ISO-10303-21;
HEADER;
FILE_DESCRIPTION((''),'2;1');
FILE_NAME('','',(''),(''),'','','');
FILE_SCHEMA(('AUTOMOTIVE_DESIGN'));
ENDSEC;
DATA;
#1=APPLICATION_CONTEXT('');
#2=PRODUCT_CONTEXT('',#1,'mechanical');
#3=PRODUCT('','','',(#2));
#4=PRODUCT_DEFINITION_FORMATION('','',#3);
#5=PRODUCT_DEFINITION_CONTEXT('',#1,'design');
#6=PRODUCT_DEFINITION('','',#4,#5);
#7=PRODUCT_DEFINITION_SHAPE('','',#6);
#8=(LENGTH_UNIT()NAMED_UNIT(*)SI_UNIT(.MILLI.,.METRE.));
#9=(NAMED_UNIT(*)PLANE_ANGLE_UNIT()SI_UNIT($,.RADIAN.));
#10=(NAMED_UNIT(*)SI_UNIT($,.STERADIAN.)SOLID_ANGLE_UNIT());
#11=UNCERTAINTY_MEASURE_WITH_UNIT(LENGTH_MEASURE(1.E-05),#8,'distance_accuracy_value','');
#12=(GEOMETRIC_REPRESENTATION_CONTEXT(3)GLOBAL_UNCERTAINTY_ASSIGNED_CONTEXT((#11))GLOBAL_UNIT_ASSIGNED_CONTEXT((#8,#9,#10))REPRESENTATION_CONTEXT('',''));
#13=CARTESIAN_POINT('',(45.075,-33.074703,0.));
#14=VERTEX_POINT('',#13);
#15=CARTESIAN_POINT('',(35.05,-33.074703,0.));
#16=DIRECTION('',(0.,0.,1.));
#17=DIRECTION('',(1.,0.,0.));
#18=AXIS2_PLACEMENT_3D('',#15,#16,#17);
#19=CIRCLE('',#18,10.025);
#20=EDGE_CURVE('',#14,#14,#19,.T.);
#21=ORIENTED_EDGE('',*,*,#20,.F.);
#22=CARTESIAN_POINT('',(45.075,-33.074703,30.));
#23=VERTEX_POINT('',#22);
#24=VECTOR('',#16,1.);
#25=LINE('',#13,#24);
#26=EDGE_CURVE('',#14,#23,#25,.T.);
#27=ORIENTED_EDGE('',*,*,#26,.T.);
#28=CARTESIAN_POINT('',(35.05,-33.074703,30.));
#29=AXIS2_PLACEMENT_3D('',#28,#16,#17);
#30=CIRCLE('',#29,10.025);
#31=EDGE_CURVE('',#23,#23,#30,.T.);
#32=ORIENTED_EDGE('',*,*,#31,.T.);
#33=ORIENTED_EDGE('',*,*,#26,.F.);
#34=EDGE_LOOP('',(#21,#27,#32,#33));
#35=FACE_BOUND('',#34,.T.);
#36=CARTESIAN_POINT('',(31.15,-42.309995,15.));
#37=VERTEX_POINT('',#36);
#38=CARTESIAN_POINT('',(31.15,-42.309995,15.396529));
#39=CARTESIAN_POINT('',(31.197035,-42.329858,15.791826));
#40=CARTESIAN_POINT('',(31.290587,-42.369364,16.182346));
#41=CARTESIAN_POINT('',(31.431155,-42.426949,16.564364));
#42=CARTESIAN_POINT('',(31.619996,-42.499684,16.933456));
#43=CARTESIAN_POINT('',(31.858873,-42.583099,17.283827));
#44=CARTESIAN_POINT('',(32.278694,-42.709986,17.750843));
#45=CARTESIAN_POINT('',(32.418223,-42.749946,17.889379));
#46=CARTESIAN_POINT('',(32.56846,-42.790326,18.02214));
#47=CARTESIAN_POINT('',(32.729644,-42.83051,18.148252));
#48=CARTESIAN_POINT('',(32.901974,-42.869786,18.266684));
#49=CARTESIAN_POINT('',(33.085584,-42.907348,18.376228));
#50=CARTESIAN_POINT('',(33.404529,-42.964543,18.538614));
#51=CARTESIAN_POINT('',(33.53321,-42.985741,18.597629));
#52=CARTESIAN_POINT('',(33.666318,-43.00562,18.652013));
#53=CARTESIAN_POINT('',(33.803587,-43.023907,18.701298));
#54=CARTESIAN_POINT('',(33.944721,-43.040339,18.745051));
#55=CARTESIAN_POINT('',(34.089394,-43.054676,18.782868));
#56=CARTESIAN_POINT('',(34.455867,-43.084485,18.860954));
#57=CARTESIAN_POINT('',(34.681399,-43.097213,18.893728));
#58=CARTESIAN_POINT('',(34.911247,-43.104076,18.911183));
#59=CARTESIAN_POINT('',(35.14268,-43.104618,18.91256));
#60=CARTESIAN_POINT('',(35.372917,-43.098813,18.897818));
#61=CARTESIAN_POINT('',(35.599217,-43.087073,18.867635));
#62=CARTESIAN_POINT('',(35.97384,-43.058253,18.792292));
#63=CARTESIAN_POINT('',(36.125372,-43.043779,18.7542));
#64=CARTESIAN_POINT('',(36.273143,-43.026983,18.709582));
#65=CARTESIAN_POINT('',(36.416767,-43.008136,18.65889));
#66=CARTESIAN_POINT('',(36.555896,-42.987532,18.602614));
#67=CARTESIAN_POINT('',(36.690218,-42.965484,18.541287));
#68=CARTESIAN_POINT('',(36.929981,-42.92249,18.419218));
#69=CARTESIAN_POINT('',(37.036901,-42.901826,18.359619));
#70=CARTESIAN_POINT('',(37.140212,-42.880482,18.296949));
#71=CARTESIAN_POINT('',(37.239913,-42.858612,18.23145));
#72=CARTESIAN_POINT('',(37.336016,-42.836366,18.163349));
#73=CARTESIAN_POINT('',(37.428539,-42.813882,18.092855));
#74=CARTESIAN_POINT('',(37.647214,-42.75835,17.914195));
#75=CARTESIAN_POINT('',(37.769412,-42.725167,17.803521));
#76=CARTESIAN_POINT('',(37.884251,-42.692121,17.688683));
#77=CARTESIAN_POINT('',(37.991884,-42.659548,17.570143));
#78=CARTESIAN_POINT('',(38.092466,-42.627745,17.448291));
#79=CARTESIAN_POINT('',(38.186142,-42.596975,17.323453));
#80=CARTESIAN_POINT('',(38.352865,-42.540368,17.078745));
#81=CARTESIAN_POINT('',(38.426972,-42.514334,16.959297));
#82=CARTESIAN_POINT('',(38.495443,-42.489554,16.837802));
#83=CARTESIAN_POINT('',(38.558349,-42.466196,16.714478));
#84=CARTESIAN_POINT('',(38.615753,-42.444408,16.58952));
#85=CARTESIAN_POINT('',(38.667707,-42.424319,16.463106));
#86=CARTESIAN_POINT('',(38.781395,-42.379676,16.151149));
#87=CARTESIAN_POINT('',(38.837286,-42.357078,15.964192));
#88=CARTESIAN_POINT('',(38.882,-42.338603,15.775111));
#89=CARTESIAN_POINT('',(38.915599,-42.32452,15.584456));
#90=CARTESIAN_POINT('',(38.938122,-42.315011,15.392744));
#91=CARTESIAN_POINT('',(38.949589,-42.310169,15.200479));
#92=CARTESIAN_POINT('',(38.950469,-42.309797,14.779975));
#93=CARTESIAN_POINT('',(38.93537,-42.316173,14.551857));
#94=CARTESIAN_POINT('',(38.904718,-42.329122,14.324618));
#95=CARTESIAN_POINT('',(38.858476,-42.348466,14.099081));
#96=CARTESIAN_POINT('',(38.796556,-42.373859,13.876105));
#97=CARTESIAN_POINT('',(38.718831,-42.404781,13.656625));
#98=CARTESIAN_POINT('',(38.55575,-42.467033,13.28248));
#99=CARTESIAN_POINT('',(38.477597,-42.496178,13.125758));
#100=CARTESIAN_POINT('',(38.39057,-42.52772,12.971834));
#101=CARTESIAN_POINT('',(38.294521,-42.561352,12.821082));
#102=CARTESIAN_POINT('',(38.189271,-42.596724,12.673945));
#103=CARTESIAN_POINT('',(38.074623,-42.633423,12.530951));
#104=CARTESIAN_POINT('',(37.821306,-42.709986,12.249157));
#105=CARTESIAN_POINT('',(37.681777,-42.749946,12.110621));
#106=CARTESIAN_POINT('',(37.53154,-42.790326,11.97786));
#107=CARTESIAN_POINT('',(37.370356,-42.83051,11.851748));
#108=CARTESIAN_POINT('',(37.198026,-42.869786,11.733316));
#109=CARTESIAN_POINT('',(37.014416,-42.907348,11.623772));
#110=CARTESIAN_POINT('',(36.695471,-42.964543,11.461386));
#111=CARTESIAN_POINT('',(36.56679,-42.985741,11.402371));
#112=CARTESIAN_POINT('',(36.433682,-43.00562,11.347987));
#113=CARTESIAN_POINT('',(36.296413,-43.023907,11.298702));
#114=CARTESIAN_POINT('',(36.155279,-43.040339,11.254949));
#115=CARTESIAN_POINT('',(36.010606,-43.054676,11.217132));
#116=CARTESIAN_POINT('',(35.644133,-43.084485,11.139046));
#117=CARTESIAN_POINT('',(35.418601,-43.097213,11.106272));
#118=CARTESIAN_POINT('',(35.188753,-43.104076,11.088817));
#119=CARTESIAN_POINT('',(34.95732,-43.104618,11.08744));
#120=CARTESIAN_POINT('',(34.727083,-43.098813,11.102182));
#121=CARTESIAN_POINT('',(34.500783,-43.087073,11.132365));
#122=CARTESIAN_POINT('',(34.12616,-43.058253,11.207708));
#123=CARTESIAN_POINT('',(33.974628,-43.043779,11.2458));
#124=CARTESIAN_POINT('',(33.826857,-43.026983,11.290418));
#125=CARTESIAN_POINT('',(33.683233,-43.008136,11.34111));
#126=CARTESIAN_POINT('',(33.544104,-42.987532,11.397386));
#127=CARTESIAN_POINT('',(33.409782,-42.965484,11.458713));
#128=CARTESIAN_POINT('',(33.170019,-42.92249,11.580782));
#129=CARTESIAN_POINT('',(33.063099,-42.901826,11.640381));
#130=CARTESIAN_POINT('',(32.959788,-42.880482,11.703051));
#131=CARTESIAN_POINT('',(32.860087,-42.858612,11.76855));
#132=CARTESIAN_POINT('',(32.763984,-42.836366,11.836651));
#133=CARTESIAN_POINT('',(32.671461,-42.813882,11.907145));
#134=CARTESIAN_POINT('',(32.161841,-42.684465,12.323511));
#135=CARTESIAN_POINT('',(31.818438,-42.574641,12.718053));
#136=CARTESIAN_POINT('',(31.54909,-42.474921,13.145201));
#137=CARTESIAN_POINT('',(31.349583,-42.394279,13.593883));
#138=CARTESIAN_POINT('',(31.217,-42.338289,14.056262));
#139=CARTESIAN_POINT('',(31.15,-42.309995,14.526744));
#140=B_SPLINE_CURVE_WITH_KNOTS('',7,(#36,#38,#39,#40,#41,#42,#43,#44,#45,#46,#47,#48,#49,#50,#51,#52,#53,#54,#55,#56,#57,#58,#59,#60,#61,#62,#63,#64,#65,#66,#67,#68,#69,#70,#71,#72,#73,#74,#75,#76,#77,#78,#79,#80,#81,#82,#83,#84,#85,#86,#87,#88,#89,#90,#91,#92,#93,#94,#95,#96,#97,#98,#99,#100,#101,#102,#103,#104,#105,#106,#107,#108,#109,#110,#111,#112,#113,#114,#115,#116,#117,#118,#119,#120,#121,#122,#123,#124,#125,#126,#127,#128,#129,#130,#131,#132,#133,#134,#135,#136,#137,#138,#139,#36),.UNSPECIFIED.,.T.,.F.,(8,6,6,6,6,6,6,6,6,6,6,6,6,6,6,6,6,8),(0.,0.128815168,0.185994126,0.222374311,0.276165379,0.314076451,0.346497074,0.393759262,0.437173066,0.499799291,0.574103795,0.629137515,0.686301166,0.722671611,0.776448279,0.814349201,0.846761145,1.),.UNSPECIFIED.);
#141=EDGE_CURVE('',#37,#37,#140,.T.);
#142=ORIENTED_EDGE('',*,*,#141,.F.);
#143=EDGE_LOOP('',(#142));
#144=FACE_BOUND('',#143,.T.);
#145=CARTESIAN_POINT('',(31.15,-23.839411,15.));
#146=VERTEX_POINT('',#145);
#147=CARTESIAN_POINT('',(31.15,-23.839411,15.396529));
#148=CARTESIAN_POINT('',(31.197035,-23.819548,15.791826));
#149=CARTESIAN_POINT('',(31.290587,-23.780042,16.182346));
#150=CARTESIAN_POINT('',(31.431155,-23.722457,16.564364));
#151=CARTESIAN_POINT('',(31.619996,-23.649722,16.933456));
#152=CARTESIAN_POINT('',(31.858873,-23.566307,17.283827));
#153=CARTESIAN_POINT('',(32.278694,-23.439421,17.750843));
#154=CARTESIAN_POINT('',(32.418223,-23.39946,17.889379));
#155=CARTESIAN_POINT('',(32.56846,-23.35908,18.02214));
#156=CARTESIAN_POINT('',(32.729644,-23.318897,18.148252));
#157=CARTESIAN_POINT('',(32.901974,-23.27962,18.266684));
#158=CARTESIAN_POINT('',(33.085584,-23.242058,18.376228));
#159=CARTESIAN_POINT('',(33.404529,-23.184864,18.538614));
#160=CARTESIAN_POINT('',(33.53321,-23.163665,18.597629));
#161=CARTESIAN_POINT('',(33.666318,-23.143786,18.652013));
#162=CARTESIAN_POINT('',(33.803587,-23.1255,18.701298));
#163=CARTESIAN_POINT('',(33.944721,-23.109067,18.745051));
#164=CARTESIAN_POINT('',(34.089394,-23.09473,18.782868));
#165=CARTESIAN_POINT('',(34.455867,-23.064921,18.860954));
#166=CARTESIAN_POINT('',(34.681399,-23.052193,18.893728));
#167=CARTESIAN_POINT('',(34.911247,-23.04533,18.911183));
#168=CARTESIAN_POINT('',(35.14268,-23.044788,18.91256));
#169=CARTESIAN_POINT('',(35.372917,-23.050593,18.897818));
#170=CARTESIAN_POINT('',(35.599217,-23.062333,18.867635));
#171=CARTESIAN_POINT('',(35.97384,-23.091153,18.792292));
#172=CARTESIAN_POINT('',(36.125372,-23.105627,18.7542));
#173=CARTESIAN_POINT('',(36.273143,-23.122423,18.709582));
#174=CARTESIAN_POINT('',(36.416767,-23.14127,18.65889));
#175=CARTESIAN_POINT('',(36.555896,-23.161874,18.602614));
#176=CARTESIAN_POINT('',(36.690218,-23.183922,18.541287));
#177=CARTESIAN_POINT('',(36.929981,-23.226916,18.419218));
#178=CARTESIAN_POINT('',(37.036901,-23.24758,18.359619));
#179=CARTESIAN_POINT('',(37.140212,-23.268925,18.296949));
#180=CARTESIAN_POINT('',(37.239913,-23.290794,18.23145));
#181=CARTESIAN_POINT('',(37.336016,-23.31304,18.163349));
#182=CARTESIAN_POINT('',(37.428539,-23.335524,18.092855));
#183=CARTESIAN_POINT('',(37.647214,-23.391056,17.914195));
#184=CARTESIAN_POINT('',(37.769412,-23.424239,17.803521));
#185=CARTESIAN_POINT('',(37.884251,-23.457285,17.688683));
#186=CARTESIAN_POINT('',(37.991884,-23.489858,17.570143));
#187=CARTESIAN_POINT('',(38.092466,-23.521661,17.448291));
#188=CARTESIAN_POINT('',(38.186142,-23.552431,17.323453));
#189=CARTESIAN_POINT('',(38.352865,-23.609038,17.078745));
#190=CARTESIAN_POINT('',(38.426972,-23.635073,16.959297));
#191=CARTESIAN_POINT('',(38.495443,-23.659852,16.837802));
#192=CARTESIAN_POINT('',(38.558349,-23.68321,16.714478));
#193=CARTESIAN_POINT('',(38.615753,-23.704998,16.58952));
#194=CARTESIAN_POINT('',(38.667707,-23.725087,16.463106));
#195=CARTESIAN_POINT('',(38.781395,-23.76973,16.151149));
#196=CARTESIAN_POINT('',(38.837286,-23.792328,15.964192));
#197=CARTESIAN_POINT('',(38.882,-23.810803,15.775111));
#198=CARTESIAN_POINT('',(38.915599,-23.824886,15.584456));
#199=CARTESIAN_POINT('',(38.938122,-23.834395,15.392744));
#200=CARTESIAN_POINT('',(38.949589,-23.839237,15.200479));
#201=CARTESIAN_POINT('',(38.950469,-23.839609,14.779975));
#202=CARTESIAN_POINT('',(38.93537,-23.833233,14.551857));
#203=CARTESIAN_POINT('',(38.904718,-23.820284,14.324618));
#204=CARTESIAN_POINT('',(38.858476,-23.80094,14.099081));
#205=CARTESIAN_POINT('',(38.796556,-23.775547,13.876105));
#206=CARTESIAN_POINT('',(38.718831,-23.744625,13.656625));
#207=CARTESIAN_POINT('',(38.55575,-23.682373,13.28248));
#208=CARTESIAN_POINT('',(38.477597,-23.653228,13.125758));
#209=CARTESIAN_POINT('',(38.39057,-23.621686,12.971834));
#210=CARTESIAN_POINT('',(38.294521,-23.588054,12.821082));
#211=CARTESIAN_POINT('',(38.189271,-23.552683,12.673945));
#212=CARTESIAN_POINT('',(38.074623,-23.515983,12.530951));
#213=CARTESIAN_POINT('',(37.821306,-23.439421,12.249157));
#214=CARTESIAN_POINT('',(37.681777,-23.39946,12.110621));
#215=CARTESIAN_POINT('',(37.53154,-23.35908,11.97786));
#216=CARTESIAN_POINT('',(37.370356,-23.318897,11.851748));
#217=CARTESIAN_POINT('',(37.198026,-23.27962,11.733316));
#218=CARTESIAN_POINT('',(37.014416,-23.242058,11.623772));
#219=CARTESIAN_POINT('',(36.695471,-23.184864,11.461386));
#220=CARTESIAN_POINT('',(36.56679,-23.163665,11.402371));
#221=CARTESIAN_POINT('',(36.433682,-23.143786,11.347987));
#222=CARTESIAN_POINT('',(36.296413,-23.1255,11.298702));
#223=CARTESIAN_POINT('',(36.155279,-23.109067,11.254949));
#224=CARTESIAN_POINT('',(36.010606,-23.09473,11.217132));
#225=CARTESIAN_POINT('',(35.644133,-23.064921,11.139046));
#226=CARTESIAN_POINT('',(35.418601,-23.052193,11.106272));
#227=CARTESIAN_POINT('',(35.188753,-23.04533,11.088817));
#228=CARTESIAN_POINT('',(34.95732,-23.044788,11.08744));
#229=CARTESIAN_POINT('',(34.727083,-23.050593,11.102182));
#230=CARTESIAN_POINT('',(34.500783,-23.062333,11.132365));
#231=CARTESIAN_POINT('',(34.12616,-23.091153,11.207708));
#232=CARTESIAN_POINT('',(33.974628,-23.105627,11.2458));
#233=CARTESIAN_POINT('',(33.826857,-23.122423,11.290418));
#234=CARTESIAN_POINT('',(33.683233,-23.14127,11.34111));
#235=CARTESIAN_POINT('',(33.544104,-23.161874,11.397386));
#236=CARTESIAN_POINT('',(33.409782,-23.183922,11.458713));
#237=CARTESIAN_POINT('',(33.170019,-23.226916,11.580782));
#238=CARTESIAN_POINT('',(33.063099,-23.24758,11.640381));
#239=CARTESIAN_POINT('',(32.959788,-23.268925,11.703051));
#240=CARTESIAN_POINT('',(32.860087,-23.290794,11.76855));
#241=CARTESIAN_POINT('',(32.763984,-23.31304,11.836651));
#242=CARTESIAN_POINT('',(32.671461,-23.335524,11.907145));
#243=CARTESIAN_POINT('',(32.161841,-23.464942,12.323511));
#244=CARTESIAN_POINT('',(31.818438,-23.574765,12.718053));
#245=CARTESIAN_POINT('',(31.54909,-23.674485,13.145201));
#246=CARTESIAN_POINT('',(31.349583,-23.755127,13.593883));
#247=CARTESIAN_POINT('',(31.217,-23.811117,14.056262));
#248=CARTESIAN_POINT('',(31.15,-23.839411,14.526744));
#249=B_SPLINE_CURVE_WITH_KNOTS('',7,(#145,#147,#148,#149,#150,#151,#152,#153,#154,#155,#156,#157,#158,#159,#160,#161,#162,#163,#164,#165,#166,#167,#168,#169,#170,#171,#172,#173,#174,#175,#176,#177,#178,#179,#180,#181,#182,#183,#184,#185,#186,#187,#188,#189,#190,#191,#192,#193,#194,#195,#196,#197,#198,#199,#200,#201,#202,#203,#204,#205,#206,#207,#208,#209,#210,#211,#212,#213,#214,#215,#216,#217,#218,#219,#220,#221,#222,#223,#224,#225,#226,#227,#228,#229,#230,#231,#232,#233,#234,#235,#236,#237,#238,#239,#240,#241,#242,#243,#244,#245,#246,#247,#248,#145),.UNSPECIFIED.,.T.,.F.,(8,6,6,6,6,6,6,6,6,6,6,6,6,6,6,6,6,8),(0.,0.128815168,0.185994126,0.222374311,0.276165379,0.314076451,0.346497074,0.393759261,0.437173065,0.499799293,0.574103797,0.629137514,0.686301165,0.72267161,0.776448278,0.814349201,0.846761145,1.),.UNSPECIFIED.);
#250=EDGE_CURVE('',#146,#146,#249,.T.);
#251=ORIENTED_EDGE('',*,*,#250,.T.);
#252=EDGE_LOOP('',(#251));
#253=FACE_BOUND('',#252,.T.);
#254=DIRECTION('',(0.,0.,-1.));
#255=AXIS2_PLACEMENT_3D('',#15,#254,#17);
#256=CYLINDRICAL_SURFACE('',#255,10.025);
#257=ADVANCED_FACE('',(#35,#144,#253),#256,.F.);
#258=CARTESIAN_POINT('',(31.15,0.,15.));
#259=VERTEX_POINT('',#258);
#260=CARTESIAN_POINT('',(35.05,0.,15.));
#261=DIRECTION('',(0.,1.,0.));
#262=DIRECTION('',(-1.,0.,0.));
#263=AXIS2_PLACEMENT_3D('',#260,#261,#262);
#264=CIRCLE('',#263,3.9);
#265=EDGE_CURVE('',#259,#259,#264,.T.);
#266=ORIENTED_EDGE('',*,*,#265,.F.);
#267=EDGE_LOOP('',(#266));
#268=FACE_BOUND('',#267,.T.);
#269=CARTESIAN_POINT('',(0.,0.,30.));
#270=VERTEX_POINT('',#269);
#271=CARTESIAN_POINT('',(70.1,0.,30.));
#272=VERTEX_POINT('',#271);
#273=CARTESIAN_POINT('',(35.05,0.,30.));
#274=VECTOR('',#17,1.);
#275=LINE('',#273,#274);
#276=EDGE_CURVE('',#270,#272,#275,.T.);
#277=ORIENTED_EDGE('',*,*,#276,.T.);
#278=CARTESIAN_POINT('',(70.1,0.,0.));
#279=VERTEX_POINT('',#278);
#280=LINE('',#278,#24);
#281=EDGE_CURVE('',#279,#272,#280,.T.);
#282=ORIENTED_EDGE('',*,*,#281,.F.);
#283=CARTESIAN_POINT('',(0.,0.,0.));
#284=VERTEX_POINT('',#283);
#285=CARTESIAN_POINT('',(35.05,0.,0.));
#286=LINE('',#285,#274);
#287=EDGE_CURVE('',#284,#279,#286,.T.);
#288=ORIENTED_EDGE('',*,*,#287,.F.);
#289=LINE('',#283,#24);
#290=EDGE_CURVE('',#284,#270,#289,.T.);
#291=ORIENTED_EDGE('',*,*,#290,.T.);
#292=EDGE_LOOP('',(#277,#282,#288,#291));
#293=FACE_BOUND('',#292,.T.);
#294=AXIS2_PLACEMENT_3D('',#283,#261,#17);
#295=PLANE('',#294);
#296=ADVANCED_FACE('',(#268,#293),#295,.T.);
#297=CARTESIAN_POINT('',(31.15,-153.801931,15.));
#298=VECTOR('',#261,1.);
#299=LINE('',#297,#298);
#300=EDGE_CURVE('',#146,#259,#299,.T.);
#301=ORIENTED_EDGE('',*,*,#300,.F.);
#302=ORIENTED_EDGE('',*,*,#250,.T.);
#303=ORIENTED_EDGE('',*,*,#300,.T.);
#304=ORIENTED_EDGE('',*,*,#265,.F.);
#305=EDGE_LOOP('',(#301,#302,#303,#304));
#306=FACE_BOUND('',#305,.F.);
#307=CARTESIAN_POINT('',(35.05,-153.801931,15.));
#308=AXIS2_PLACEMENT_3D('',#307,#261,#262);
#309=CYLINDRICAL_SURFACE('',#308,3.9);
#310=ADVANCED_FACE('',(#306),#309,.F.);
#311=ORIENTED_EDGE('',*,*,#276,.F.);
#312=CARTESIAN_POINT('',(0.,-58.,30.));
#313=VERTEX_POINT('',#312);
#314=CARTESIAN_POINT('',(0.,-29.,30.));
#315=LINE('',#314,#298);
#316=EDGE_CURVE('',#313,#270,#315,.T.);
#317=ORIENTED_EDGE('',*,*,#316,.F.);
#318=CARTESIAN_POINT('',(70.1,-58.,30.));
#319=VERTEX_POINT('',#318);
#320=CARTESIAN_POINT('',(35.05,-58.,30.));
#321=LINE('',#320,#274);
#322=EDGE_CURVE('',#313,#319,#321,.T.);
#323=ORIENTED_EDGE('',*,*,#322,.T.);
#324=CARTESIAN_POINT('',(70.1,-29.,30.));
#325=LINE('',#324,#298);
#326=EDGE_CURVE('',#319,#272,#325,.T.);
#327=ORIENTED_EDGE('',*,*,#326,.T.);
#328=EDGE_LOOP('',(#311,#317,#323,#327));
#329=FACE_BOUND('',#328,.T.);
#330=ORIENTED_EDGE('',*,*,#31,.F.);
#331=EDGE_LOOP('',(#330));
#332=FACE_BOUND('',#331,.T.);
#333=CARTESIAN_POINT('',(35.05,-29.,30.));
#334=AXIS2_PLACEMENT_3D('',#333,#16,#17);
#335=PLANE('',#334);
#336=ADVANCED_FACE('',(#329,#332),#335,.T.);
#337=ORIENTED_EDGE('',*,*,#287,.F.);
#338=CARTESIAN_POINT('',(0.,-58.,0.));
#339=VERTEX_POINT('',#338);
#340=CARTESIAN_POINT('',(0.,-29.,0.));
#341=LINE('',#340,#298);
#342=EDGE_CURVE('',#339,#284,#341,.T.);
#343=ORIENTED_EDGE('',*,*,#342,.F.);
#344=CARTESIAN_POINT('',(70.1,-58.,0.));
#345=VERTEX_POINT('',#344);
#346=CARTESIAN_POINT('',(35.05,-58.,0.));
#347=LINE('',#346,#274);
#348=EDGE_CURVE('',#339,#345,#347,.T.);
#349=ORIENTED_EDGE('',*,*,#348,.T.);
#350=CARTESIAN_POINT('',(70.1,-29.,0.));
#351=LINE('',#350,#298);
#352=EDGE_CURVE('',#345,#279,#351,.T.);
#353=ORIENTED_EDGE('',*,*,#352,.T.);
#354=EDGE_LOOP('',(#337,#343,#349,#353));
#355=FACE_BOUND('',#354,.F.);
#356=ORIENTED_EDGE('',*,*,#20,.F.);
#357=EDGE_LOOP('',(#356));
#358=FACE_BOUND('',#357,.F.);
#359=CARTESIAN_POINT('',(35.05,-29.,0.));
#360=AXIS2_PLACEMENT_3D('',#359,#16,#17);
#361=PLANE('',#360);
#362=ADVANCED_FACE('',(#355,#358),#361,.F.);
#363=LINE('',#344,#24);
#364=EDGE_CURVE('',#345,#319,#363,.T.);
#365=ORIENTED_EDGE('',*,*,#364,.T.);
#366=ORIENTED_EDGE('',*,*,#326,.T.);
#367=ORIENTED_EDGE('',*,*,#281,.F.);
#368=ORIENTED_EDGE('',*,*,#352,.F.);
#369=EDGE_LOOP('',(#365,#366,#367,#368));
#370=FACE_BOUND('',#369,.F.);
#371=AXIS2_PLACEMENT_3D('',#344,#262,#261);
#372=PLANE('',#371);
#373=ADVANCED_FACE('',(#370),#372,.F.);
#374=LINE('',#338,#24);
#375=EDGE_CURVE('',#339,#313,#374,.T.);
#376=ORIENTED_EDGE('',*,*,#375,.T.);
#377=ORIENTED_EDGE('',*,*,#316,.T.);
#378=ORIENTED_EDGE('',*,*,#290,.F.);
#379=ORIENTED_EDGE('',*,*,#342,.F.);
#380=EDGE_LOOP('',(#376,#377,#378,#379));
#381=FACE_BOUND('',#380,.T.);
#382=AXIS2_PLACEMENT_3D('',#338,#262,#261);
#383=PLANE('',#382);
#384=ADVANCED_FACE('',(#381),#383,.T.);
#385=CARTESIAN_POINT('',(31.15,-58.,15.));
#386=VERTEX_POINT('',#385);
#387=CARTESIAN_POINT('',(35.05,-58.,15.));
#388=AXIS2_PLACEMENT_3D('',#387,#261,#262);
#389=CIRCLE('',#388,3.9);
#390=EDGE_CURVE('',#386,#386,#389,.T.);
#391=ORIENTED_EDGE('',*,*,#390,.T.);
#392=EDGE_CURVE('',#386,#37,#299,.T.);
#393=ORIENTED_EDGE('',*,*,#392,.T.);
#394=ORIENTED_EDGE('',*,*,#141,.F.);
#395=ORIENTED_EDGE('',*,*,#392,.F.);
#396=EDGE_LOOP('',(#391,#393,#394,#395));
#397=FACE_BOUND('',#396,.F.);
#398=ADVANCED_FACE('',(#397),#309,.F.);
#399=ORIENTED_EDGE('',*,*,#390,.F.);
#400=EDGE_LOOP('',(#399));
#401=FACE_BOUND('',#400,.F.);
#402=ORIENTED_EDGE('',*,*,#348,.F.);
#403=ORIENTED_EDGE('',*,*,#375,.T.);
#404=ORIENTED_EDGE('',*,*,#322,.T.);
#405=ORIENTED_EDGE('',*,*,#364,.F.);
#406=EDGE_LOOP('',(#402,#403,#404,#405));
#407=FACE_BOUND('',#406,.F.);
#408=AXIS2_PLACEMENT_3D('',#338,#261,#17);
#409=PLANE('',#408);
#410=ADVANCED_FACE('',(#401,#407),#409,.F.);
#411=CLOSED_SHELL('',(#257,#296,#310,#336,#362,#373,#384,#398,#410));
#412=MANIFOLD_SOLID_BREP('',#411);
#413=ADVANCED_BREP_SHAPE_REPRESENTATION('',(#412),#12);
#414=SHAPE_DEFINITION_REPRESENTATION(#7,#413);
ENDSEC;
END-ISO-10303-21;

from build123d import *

# Parameters (mm, degrees)
F0_W     = 70.1
F0_H     = 58
F1_DEPTH = 30
F2_R     = 10.025
F3_DEPTH = 30
F5_D     = 7.8


with BuildPart() as f1:
    # F0 (on Top) → F1 (new body)
    with BuildSketch(Plane.XY):
        with Locations((35.05, -29)):
            Rectangle(F0_W, F0_H)
    extrude(amount=F1_DEPTH)

    # F2 (on face) → F3 (cut)
    with BuildSketch(Plane.XY):
        with Locations((35.05, -33.0747030675)):
            Circle(F2_R)
    extrude(amount=F3_DEPTH, mode=Mode.SUBTRACT)

    # F5 (through all)
    with Locations(Plane.XZ.offset(58)):
        with Locations((35.05, 15)):
            Hole(F5_D / 2)


solid = f1.part
